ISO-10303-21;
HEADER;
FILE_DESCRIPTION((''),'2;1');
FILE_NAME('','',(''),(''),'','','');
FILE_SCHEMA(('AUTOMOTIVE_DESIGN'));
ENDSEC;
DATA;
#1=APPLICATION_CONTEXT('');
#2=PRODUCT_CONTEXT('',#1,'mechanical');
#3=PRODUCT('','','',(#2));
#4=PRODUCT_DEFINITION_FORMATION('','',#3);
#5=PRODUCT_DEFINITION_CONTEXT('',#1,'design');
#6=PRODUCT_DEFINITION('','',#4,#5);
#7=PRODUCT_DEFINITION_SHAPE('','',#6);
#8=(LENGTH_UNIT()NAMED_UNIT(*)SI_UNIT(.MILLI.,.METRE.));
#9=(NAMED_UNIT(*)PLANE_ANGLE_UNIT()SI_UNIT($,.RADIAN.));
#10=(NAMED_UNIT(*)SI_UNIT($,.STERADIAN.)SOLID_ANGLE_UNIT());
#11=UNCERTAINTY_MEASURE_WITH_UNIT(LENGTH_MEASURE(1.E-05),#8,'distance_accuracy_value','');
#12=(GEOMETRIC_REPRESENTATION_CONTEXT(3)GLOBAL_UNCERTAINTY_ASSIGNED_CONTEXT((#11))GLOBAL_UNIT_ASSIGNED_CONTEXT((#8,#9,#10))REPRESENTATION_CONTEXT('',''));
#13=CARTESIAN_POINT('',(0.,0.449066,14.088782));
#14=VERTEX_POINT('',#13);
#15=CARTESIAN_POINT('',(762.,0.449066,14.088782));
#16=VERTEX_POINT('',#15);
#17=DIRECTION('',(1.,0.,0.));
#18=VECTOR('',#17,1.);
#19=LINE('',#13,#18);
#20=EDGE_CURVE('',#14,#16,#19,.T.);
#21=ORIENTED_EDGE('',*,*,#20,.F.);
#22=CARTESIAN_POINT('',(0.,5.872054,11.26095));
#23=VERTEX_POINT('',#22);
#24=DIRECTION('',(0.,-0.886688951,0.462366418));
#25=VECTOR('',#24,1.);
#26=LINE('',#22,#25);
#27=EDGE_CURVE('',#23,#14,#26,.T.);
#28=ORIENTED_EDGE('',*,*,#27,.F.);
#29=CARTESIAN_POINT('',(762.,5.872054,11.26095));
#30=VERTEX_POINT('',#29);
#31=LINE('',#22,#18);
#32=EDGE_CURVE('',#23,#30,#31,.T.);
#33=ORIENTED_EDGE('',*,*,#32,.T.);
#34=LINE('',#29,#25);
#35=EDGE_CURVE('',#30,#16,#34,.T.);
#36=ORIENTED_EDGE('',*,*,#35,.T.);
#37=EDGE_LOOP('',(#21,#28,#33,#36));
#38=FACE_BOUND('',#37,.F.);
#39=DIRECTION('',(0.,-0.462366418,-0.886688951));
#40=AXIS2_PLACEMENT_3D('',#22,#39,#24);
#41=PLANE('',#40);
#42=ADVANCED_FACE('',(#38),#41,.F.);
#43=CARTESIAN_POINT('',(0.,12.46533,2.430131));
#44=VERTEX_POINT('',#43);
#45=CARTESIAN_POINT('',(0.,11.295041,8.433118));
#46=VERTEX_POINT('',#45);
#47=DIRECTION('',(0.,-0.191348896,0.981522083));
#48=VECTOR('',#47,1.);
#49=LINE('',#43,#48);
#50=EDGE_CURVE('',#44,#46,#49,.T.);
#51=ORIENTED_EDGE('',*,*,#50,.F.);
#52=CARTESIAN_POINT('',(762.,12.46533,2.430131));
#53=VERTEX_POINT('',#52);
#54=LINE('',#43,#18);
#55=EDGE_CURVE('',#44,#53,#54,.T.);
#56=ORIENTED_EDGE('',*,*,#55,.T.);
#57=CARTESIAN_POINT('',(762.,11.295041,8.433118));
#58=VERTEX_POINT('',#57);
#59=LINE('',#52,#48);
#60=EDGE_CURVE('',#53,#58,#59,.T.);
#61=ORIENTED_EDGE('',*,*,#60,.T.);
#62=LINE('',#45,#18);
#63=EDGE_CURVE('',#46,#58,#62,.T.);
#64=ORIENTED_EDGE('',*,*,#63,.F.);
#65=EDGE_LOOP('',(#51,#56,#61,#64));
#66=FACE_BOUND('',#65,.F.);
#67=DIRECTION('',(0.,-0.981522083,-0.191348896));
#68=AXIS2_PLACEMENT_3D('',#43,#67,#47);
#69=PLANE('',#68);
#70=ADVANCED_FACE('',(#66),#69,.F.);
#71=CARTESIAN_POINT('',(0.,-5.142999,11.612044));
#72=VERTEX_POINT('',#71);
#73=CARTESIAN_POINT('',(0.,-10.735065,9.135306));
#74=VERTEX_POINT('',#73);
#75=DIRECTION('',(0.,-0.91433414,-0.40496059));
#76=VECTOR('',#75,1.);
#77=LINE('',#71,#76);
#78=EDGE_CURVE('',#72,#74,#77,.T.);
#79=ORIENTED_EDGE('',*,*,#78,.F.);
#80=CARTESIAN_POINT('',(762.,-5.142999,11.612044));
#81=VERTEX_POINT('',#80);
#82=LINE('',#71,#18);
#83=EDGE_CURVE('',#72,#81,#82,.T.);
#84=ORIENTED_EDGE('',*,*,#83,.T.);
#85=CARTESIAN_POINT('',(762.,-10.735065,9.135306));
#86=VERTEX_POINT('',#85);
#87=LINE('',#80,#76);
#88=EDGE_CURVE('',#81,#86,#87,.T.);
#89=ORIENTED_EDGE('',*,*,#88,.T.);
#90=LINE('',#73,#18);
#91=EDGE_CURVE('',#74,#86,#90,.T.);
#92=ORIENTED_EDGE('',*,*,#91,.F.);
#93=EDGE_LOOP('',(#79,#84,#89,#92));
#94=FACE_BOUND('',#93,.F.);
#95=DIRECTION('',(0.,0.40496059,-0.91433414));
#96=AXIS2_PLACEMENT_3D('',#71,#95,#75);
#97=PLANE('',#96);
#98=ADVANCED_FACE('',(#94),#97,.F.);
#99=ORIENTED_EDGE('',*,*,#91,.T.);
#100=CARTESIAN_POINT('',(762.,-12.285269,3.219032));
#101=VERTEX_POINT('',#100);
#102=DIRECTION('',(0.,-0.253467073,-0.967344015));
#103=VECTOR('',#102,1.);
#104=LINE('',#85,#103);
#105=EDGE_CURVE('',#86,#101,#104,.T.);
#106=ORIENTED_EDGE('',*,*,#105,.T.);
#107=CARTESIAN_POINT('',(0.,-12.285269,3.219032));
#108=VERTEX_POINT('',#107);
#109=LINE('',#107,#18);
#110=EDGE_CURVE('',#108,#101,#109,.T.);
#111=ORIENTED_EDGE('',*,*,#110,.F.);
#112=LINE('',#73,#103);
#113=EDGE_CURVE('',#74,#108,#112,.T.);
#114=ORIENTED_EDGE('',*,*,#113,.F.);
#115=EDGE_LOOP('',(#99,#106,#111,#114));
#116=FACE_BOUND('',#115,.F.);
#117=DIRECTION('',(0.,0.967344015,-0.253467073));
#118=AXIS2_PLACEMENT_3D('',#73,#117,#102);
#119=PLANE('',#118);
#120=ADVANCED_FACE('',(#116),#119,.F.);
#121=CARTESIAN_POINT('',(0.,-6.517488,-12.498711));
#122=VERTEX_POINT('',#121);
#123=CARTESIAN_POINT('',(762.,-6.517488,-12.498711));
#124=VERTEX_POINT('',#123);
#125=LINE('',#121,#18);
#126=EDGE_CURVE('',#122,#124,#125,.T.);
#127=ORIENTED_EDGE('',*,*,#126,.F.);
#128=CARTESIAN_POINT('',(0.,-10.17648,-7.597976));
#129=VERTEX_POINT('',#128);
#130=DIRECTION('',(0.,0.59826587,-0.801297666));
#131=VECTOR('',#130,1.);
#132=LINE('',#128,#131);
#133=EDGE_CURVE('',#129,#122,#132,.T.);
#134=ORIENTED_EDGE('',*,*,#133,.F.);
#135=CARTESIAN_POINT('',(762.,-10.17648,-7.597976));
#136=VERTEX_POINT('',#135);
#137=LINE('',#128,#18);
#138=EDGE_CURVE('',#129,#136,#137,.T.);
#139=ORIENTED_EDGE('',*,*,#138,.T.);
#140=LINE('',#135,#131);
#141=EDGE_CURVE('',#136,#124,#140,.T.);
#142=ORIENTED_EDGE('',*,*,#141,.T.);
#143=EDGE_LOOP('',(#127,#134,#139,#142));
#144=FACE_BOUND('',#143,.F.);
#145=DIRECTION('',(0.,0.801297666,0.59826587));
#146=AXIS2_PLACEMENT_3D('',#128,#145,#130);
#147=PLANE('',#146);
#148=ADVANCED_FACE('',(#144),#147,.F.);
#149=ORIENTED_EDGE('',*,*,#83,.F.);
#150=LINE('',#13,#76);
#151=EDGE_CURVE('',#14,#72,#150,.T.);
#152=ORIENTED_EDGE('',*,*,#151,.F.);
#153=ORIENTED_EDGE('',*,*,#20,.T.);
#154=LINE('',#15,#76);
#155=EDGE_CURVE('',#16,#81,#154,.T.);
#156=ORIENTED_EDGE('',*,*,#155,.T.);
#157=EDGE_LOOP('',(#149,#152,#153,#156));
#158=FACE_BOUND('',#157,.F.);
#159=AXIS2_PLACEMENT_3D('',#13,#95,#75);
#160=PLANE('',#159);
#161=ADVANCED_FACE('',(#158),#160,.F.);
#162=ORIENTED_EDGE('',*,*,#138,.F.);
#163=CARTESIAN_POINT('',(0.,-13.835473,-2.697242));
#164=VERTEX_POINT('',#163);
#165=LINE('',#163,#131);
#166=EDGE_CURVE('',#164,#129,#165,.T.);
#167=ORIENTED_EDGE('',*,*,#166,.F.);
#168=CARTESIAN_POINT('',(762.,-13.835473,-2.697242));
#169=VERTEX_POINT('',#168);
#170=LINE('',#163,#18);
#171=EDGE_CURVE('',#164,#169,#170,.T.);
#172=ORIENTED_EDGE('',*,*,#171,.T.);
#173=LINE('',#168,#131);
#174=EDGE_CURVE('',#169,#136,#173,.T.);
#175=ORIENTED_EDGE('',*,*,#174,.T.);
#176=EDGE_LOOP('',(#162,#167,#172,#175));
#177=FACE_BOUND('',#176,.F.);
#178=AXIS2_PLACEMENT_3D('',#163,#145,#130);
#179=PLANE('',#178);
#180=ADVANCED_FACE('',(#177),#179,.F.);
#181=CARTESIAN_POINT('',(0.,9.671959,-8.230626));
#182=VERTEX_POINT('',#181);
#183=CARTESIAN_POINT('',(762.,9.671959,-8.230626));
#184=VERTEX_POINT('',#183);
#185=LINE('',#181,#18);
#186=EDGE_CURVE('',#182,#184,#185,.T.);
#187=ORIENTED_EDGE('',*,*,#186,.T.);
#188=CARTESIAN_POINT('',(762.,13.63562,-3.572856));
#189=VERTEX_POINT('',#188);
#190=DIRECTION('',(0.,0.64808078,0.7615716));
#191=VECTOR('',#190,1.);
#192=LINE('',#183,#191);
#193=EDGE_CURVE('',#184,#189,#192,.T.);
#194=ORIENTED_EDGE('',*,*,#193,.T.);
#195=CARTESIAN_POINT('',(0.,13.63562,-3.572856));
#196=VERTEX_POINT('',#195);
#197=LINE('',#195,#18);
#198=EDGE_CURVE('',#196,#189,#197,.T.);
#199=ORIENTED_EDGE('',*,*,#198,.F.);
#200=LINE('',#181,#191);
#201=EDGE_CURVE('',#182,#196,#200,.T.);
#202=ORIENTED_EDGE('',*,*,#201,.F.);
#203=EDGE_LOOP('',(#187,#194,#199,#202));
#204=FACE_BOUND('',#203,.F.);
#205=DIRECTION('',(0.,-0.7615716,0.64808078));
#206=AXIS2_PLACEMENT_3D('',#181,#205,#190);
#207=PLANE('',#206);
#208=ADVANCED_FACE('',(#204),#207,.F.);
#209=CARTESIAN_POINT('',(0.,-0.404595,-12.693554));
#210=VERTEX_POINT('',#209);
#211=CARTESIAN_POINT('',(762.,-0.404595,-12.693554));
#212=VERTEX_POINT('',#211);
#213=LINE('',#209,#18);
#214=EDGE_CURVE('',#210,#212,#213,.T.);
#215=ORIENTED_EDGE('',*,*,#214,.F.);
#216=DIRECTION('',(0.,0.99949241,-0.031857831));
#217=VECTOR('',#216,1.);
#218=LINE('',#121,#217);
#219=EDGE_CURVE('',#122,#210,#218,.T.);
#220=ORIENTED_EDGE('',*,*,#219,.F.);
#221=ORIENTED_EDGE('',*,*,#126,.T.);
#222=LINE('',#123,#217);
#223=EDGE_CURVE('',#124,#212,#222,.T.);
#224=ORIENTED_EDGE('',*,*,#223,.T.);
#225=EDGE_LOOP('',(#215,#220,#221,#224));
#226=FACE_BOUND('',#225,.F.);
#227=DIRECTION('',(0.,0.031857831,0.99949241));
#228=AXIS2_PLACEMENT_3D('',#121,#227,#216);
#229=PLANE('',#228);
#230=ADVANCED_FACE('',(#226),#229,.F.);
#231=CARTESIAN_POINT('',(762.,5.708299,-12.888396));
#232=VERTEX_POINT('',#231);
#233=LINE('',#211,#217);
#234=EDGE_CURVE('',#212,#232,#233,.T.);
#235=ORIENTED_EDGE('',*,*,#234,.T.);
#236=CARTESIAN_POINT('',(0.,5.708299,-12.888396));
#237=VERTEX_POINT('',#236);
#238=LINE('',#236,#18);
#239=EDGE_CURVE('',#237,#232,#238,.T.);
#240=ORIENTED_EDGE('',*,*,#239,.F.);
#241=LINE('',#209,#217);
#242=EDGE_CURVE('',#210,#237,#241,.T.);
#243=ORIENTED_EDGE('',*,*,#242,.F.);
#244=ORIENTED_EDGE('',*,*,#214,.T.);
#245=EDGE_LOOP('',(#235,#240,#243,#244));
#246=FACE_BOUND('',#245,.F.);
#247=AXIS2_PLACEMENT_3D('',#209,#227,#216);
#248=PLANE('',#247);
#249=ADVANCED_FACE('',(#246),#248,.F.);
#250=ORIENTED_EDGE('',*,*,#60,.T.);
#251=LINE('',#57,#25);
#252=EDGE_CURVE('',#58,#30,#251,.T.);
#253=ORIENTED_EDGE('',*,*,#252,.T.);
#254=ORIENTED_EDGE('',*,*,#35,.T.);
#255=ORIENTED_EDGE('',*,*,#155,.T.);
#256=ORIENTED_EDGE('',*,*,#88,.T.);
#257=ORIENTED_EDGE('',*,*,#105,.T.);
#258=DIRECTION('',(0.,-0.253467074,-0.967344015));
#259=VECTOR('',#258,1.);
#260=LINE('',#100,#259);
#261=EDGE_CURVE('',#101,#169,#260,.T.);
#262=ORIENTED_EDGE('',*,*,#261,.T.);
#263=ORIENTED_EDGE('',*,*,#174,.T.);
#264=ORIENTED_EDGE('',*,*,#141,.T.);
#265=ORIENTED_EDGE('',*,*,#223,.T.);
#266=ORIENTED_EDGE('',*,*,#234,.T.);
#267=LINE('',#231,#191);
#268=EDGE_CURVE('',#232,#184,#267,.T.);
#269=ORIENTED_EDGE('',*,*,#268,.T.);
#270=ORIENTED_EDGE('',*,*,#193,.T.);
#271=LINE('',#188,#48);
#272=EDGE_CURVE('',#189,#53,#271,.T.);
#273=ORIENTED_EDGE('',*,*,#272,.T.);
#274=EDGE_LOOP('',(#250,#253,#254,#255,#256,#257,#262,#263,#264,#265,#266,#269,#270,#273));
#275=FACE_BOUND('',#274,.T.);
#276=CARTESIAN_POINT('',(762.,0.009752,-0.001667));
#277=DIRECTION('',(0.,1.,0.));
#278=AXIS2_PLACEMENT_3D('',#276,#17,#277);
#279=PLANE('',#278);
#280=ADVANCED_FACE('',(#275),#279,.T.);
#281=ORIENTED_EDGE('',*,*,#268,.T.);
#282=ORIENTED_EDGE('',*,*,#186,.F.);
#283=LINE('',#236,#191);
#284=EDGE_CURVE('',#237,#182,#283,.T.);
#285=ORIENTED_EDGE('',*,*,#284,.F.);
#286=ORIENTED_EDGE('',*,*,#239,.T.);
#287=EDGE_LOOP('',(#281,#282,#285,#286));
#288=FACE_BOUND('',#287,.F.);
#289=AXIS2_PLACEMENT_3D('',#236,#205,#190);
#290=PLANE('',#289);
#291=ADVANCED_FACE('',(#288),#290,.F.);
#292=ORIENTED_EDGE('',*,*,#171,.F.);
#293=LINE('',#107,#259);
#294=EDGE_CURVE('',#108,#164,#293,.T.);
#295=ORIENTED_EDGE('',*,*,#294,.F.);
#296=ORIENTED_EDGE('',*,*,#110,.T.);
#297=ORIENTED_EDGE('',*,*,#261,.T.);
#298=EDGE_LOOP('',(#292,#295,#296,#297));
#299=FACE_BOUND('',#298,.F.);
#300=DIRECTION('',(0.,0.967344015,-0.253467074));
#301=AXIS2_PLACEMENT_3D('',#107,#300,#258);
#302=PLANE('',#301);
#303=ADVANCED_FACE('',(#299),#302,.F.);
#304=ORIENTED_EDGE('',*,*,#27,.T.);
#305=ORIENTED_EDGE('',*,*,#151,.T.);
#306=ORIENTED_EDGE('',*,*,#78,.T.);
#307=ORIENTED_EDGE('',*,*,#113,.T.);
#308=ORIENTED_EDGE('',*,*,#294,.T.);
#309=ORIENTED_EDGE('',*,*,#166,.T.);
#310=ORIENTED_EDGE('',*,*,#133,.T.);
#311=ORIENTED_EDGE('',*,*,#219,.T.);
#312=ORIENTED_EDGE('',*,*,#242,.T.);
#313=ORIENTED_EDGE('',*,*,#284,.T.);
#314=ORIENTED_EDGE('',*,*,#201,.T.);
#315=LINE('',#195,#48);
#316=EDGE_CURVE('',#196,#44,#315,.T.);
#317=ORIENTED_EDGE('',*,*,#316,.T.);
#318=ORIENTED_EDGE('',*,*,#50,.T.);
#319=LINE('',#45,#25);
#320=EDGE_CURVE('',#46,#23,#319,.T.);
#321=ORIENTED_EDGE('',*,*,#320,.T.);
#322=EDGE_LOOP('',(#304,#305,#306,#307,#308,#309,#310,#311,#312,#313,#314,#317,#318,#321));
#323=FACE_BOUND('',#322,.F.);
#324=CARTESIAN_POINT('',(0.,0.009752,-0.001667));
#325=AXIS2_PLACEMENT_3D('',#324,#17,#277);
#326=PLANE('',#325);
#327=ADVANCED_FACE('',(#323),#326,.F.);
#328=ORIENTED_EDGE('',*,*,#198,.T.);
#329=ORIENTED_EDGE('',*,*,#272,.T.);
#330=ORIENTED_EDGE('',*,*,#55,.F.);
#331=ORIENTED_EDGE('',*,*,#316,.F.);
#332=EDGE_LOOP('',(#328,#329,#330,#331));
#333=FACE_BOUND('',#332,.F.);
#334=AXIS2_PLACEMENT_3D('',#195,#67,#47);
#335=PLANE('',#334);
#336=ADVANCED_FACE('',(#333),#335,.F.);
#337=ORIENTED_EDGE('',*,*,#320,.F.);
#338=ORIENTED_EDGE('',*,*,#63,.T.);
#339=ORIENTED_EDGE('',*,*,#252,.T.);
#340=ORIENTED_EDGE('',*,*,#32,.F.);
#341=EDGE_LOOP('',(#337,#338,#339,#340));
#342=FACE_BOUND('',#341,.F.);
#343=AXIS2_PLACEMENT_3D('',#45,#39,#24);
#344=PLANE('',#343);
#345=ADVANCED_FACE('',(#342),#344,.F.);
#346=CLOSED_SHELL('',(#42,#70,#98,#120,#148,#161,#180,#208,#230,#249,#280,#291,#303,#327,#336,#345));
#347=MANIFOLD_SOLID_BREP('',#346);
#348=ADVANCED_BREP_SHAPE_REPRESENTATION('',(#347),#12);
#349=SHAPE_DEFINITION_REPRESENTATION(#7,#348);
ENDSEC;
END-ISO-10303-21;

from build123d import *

# Parameters (mm, degrees)
F1_DEPTH = 762


with BuildPart() as f1:
    # F0 (on Right) → F1 (new body)
    with BuildSketch(Plane.YZ):
        with BuildLine():
            ThreePointArc((9.6719592164, -8.2306260343), (11.9189739921, -4.384981069), (12.7, 0))
            ThreePointArc((12.7, 0), (12.6411964641, 1.2207178038), (12.4653304006, 2.4301312732))
            ThreePointArc((12.4653304006, 2.4301312732), (10.1764803528, 7.5979765483), (5.8720537708, 11.2609495387))
            ThreePointArc((5.8720537708, 11.2609495387), (0.4045947135, 12.6935536048), (-5.1429992898, 11.6120436748))
            ThreePointArc((-5.1429992898, 11.6120436748), (-9.6719591426, 8.230626121), (-12.2852689026, 3.2190321511))
            ThreePointArc((-12.2852689026, 3.2190321511), (-12.4653305109, -2.4301307073), (-10.1764804885, -7.5979763666))
            ThreePointArc((-10.1764804885, -7.5979763666), (-5.87205372, -11.2609495652), (-0.4045947011, -12.6935536052))
            ThreePointArc((-0.4045947011, -12.6935536052), (5.1429993088, -11.6120436664), (9.6719592164, -8.2306260343))
        make_face()
        with BuildLine():
            ThreePointArc((12.4653304006, 2.4301312732), (12.6411964641, 1.2207178038), (12.7, 0))
            ThreePointArc((12.7, 0), (11.9189739921, -4.384981069), (9.6719592164, -8.2306260343))
            Line((9.6719592164, -8.2306260343), (13.6356198572, -3.5728557867))
            Line((13.6356198572, -3.5728557867), (12.4653304006, 2.4301312732))
        make_face()
        with BuildLine():
            ThreePointArc((5.8720537708, 11.2609495387), (10.1764803528, 7.5979765483), (12.4653304006, 2.4301312732))
            Line((12.4653304006, 2.4301312732), (11.2950410594, 8.4331177408))
            Line((11.2950410594, 8.4331177408), (5.8720537708, 11.2609495387))
        make_face()
        with BuildLine():
            Line((5.7082987866, -12.8883960339), (9.6719592164, -8.2306260343))
            ThreePointArc((9.6719592164, -8.2306260343), (5.1429993088, -11.6120436664), (-0.4045947011, -12.6935536052))
            Line((-0.4045947011, -12.6935536052), (5.7082987866, -12.8883960339))
        make_face()
        with BuildLine():
            ThreePointArc((-5.1429992898, 11.6120436748), (0.4045947135, 12.6935536048), (5.8720537708, 11.2609495387))
            Line((5.8720537708, 11.2609495387), (0.449065967, 14.0887816053))
            Line((0.449065967, 14.0887816053), (-5.1429992898, 11.6120436748))
        make_face()
        with BuildLine():
            Line((-6.5174876984, -12.4987111922), (-0.4045947011, -12.6935536052))
            ThreePointArc((-0.4045947011, -12.6935536052), (-5.87205372, -11.2609495652), (-10.1764804885, -7.5979763666))
            Line((-10.1764804885, -7.5979763666), (-6.5174876984, -12.4987111922))
        make_face()
        with BuildLine():
            ThreePointArc((-12.2852689026, 3.2190321511), (-9.6719591426, 8.230626121), (-5.1429992898, 11.6120436748))
            Line((-5.1429992898, 11.6120436748), (-10.7350649578, 9.1353055622))
            Line((-10.7350649578, 9.1353055622), (-12.2852689026, 3.2190321511))
        make_face()
        with BuildLine():
            Line((-13.835473014, -2.6972418955), (-10.1764804885, -7.5979763666))
            ThreePointArc((-10.1764804885, -7.5979763666), (-12.4653305109, -2.4301307073), (-12.2852689026, 3.2190321511))
            Line((-12.2852689026, 3.2190321511), (-13.835473014, -2.6972418955))
        make_face()
    extrude(amount=F1_DEPTH)


solid = f1.part
